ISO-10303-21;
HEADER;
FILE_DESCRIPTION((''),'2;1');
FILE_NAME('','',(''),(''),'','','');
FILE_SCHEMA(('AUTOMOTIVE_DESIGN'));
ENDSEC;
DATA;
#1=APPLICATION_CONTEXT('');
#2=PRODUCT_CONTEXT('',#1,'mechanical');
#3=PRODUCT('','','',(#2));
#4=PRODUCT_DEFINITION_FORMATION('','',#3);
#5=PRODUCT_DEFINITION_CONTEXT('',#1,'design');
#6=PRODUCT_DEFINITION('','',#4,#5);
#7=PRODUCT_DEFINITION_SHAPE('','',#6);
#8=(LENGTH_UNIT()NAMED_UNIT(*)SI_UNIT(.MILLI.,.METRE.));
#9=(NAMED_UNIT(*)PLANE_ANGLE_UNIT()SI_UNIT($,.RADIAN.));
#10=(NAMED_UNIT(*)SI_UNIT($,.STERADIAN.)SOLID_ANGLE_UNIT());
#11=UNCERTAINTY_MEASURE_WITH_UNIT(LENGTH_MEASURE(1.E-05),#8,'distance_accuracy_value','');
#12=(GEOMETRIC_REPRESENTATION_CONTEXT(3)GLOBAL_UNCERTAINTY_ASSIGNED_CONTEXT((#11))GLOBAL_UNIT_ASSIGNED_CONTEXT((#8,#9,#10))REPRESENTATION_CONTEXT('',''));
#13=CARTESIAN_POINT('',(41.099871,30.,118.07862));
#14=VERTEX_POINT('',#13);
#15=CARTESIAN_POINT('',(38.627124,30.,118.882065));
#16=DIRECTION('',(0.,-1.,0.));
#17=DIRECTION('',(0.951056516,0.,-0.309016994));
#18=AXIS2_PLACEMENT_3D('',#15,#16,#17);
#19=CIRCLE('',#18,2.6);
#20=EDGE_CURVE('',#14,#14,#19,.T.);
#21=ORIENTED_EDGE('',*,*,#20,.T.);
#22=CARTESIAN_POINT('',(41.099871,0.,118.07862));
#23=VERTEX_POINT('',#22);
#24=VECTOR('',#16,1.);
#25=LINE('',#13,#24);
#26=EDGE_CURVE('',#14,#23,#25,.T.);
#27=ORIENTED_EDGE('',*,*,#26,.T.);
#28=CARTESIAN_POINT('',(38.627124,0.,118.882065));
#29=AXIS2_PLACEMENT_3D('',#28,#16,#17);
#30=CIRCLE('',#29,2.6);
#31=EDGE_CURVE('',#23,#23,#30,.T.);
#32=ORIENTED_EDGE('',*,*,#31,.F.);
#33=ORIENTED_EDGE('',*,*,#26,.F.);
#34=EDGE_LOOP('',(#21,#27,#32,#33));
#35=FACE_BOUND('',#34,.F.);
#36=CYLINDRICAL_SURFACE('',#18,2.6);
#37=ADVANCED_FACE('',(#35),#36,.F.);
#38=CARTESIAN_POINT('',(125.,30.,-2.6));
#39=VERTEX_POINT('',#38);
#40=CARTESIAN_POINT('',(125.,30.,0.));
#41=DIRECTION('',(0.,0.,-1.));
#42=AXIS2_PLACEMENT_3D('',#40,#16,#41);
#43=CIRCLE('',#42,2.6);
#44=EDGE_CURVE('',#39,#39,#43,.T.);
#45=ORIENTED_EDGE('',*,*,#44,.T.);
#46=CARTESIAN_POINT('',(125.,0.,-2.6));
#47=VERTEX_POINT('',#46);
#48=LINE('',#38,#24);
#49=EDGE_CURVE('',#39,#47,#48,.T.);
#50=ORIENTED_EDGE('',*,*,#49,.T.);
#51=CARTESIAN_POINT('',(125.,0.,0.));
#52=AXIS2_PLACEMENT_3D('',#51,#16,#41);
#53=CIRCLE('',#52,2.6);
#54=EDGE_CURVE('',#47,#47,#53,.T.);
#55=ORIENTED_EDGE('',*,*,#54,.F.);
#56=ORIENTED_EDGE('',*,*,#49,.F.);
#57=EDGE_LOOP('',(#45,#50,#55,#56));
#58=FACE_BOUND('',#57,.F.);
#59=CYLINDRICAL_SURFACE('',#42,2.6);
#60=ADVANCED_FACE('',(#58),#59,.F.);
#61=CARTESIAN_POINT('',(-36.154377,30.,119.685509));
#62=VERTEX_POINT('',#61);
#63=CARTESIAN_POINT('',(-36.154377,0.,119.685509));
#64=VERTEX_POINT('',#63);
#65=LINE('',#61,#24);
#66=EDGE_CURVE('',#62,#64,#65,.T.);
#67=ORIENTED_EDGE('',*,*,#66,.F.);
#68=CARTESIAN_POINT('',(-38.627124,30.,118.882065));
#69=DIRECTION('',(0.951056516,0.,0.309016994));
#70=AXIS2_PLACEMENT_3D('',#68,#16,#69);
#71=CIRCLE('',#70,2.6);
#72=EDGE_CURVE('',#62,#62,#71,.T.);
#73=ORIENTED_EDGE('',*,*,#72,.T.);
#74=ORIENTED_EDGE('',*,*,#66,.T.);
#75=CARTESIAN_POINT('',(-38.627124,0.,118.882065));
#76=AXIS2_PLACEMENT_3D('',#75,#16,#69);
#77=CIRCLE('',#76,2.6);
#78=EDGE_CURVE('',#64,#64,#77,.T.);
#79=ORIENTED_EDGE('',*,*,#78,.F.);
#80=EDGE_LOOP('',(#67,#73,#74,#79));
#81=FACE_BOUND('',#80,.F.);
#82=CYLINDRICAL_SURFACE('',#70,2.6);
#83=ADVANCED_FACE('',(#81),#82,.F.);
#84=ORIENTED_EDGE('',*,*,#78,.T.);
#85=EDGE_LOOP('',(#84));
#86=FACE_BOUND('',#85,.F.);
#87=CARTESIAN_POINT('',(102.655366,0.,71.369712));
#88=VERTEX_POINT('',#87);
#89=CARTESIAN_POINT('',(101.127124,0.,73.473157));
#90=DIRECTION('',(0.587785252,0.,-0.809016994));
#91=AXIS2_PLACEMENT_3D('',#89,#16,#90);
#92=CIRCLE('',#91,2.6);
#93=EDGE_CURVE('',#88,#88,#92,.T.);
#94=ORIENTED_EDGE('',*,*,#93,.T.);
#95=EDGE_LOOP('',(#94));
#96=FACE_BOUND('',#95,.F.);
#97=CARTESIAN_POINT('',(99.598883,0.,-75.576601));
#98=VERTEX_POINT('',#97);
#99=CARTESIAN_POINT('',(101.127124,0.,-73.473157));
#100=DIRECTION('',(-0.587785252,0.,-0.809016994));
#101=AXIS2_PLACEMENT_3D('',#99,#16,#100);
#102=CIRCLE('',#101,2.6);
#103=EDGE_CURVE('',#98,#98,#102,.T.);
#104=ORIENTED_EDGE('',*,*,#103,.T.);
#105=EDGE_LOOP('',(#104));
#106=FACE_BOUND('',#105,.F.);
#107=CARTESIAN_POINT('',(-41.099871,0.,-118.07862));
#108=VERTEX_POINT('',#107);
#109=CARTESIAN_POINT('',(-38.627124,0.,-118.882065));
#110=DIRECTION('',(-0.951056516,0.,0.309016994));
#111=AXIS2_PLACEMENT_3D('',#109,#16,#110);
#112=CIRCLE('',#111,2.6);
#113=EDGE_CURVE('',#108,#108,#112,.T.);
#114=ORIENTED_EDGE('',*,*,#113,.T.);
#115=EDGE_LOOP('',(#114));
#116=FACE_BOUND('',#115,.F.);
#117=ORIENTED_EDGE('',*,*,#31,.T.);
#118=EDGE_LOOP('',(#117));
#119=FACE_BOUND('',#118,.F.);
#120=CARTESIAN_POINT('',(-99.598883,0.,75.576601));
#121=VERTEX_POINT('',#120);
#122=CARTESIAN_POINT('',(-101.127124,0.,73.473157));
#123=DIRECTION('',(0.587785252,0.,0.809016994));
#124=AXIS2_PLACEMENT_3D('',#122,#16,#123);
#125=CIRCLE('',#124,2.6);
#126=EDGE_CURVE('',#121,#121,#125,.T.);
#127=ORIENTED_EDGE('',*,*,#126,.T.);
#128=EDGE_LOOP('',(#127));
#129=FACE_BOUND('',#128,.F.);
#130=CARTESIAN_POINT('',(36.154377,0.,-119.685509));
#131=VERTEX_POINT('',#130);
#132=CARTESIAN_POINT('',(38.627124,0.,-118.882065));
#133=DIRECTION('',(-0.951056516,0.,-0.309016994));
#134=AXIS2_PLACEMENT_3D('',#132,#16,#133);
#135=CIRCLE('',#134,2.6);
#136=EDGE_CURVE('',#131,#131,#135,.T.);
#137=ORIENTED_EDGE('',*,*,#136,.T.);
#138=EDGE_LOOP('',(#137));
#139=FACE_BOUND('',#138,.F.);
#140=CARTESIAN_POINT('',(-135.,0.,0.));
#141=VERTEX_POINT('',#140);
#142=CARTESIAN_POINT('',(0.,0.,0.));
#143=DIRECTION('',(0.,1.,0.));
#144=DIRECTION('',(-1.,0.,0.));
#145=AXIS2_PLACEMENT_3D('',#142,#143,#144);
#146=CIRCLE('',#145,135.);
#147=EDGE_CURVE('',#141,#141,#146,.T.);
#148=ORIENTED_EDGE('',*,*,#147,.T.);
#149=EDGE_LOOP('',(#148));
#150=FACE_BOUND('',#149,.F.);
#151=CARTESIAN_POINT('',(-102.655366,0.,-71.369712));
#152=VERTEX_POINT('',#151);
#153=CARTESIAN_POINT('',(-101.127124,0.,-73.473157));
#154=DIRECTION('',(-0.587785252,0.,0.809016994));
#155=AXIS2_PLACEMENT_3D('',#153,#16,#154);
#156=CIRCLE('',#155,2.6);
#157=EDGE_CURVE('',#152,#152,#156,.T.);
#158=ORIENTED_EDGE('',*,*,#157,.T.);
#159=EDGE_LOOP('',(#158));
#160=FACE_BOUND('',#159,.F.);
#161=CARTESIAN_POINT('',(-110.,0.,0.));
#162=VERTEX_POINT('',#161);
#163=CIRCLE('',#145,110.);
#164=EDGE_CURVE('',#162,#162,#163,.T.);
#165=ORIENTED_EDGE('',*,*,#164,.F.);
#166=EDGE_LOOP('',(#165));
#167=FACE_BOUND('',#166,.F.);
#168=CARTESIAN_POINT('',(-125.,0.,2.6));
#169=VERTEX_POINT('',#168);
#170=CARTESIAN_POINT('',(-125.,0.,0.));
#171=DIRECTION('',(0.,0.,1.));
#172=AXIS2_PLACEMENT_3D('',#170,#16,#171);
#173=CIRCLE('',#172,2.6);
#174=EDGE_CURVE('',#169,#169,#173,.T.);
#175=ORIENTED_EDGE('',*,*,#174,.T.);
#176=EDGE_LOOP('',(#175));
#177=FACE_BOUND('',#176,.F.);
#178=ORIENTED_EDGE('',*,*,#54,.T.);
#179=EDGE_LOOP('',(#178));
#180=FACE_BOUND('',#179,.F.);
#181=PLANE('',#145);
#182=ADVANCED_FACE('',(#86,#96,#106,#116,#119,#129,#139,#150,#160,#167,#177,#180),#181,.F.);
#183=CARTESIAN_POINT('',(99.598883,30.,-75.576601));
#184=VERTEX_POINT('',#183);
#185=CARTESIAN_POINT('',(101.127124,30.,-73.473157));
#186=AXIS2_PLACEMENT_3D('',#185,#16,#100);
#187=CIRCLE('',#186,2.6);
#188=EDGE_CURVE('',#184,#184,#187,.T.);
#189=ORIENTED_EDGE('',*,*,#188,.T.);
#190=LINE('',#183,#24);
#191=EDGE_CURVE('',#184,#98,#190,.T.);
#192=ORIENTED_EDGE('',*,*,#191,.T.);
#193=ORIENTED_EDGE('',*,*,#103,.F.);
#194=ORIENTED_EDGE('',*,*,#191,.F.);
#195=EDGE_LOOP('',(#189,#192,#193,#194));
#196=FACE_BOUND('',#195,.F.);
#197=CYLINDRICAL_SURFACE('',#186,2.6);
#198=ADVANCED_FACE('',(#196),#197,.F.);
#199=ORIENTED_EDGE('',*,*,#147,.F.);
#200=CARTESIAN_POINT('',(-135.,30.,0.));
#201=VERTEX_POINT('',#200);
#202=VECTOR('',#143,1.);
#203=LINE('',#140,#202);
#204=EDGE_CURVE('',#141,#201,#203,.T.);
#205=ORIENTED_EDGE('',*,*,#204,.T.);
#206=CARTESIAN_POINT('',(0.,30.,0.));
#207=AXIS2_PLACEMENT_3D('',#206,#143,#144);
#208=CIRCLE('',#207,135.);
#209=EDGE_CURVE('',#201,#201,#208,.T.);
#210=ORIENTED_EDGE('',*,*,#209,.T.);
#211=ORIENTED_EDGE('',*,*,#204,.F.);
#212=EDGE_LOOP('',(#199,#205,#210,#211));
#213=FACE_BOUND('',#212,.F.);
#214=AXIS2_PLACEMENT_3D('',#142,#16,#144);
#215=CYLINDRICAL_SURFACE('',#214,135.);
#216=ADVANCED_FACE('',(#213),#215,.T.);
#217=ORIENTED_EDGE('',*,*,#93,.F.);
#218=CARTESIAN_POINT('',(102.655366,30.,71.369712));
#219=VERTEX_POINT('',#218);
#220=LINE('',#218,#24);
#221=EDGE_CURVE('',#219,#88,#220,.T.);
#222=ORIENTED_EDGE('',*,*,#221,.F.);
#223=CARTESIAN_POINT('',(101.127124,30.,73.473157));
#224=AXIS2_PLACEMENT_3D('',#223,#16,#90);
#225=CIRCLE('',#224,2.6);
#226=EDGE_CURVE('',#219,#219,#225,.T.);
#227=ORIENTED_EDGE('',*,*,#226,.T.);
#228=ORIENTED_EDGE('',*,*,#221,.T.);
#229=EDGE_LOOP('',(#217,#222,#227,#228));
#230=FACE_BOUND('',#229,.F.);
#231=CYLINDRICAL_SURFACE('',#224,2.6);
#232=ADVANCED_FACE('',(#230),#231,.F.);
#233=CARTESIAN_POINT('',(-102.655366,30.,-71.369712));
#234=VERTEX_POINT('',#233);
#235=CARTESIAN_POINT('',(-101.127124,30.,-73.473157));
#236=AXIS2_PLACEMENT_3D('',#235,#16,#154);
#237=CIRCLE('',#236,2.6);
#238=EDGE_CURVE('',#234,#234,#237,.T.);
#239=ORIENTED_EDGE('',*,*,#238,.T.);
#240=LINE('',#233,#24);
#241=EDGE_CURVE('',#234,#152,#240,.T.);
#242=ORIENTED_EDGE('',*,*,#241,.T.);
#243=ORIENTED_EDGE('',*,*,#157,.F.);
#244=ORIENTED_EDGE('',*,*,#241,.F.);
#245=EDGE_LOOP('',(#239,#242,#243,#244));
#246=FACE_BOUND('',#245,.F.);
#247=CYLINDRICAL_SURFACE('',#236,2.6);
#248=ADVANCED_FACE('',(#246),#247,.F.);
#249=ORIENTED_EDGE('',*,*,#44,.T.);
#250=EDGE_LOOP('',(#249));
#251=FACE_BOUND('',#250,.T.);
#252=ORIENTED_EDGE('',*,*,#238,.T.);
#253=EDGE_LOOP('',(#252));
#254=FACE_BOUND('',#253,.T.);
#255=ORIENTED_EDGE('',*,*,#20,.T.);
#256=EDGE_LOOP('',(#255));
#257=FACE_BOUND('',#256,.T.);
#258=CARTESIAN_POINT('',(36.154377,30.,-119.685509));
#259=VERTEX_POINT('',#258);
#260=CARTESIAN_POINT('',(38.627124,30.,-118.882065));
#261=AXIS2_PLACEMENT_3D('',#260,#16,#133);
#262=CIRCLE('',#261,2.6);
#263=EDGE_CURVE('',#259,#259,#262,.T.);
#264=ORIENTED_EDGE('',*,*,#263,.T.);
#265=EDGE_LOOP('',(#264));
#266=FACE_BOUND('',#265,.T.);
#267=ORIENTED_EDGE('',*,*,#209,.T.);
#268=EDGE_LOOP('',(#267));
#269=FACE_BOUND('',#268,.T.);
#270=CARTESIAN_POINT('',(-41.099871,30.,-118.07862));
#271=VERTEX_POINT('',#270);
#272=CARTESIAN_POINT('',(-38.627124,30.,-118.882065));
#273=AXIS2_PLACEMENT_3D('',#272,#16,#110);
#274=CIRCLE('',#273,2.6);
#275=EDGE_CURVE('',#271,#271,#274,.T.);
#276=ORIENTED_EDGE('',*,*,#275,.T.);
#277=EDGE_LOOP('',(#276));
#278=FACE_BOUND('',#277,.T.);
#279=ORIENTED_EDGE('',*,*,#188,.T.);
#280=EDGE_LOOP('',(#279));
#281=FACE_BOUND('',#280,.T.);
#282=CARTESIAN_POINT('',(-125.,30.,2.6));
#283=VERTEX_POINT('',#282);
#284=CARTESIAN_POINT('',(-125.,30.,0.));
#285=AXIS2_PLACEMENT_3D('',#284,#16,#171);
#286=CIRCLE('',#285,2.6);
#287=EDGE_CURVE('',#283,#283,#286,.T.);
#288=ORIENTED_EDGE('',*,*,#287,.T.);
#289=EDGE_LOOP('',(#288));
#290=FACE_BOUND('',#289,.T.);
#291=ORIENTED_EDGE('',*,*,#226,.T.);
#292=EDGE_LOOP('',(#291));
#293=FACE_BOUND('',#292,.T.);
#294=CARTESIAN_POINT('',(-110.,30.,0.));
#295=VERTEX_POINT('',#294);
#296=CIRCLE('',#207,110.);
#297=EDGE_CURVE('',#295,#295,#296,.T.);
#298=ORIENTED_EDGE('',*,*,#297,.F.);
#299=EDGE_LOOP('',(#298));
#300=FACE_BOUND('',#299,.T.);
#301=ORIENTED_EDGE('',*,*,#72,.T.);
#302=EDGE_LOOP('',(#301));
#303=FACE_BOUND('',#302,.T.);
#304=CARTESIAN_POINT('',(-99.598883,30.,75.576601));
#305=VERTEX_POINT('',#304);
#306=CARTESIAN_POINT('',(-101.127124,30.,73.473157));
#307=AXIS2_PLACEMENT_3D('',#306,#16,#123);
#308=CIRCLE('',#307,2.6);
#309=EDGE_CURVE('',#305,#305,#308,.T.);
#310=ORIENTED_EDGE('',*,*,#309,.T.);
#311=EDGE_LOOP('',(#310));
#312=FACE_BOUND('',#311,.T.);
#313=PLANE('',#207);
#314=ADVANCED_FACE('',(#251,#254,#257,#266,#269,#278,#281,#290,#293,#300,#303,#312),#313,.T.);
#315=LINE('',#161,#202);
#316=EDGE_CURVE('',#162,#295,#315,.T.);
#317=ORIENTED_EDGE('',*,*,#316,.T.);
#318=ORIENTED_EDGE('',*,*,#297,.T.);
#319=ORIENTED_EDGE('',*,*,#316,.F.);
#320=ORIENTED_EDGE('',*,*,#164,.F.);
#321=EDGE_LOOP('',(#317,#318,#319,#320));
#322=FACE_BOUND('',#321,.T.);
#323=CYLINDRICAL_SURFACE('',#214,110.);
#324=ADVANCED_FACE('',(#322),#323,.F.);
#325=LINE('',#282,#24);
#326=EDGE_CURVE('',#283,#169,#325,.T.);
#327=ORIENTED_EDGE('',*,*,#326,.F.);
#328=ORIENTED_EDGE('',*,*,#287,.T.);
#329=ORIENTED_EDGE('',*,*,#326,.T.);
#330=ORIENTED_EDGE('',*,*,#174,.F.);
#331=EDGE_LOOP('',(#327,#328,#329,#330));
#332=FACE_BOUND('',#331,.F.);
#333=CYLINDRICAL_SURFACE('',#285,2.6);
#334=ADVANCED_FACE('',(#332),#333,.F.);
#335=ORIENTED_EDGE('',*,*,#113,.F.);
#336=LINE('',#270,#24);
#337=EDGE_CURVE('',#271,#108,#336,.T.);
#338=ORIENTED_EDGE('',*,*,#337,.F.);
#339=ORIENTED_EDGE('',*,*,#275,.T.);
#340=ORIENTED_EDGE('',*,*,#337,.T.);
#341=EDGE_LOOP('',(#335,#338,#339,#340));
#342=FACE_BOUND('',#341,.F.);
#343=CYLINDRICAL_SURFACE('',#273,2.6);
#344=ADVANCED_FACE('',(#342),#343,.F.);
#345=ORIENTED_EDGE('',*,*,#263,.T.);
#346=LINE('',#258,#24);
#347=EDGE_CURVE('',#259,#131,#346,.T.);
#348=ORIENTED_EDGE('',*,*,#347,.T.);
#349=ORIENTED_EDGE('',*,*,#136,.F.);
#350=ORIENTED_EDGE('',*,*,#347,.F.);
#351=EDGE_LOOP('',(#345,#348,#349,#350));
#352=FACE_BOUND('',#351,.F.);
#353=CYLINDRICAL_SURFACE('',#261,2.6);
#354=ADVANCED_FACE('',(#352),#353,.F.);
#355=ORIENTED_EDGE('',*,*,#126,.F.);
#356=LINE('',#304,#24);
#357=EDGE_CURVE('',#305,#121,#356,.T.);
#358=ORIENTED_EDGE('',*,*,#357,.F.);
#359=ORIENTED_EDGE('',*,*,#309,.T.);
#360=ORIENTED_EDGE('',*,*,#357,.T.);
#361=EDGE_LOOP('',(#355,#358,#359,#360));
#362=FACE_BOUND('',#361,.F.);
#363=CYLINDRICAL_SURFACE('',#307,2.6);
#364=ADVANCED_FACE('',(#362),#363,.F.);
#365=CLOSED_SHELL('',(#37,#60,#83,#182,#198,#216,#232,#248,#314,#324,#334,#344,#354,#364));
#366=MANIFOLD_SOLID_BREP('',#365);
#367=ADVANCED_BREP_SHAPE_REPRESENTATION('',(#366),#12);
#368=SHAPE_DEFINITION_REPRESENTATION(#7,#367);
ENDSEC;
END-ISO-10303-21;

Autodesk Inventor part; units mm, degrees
ref_plane "YZ Plane" through (0, 0, 0) normal (1, 0, 0) x (0, 1, 0)
ref_plane "XZ Plane" through (0, 0, 0) normal (0, 1, 0) x (-1, 0, 0)
ref_plane "XY Plane" through (0, 0, 0) normal (0, 0, 1) x (1, 0, 0)
sketch "Sketch1" plane through (0, 0, 0) normal (0, 1, 0) x (-1, 0, 0)
  circle A0 centre (0, 0) radius 135
  circle A1 centre (0, 0) radius 110
  dimension "d0" = 270
  dimension "d1" = 220
extrude "Extrusion1" add sketch "Sketch1" along normal blind 30
sketch "Sketch2" plane through (0, 30, 0) normal (0, 1, 0) x (1, 0, 0)
  line L0 (-189, 0) -> (189, 0) projected
  point P0 (0, 0)
  point P1 (-125, 0)
  dimension "d11" = 125
hole "Hole1" at (-125, 30, 0) direction (0, -1, 0) diameter 5.2 end through all
pattern_circular "Circular Pattern1" count 10 over 360 about axis through (0, -10, 0) along (0, 1, 0) of "Hole1"
properties part number "Lower Ring (30mm)"
